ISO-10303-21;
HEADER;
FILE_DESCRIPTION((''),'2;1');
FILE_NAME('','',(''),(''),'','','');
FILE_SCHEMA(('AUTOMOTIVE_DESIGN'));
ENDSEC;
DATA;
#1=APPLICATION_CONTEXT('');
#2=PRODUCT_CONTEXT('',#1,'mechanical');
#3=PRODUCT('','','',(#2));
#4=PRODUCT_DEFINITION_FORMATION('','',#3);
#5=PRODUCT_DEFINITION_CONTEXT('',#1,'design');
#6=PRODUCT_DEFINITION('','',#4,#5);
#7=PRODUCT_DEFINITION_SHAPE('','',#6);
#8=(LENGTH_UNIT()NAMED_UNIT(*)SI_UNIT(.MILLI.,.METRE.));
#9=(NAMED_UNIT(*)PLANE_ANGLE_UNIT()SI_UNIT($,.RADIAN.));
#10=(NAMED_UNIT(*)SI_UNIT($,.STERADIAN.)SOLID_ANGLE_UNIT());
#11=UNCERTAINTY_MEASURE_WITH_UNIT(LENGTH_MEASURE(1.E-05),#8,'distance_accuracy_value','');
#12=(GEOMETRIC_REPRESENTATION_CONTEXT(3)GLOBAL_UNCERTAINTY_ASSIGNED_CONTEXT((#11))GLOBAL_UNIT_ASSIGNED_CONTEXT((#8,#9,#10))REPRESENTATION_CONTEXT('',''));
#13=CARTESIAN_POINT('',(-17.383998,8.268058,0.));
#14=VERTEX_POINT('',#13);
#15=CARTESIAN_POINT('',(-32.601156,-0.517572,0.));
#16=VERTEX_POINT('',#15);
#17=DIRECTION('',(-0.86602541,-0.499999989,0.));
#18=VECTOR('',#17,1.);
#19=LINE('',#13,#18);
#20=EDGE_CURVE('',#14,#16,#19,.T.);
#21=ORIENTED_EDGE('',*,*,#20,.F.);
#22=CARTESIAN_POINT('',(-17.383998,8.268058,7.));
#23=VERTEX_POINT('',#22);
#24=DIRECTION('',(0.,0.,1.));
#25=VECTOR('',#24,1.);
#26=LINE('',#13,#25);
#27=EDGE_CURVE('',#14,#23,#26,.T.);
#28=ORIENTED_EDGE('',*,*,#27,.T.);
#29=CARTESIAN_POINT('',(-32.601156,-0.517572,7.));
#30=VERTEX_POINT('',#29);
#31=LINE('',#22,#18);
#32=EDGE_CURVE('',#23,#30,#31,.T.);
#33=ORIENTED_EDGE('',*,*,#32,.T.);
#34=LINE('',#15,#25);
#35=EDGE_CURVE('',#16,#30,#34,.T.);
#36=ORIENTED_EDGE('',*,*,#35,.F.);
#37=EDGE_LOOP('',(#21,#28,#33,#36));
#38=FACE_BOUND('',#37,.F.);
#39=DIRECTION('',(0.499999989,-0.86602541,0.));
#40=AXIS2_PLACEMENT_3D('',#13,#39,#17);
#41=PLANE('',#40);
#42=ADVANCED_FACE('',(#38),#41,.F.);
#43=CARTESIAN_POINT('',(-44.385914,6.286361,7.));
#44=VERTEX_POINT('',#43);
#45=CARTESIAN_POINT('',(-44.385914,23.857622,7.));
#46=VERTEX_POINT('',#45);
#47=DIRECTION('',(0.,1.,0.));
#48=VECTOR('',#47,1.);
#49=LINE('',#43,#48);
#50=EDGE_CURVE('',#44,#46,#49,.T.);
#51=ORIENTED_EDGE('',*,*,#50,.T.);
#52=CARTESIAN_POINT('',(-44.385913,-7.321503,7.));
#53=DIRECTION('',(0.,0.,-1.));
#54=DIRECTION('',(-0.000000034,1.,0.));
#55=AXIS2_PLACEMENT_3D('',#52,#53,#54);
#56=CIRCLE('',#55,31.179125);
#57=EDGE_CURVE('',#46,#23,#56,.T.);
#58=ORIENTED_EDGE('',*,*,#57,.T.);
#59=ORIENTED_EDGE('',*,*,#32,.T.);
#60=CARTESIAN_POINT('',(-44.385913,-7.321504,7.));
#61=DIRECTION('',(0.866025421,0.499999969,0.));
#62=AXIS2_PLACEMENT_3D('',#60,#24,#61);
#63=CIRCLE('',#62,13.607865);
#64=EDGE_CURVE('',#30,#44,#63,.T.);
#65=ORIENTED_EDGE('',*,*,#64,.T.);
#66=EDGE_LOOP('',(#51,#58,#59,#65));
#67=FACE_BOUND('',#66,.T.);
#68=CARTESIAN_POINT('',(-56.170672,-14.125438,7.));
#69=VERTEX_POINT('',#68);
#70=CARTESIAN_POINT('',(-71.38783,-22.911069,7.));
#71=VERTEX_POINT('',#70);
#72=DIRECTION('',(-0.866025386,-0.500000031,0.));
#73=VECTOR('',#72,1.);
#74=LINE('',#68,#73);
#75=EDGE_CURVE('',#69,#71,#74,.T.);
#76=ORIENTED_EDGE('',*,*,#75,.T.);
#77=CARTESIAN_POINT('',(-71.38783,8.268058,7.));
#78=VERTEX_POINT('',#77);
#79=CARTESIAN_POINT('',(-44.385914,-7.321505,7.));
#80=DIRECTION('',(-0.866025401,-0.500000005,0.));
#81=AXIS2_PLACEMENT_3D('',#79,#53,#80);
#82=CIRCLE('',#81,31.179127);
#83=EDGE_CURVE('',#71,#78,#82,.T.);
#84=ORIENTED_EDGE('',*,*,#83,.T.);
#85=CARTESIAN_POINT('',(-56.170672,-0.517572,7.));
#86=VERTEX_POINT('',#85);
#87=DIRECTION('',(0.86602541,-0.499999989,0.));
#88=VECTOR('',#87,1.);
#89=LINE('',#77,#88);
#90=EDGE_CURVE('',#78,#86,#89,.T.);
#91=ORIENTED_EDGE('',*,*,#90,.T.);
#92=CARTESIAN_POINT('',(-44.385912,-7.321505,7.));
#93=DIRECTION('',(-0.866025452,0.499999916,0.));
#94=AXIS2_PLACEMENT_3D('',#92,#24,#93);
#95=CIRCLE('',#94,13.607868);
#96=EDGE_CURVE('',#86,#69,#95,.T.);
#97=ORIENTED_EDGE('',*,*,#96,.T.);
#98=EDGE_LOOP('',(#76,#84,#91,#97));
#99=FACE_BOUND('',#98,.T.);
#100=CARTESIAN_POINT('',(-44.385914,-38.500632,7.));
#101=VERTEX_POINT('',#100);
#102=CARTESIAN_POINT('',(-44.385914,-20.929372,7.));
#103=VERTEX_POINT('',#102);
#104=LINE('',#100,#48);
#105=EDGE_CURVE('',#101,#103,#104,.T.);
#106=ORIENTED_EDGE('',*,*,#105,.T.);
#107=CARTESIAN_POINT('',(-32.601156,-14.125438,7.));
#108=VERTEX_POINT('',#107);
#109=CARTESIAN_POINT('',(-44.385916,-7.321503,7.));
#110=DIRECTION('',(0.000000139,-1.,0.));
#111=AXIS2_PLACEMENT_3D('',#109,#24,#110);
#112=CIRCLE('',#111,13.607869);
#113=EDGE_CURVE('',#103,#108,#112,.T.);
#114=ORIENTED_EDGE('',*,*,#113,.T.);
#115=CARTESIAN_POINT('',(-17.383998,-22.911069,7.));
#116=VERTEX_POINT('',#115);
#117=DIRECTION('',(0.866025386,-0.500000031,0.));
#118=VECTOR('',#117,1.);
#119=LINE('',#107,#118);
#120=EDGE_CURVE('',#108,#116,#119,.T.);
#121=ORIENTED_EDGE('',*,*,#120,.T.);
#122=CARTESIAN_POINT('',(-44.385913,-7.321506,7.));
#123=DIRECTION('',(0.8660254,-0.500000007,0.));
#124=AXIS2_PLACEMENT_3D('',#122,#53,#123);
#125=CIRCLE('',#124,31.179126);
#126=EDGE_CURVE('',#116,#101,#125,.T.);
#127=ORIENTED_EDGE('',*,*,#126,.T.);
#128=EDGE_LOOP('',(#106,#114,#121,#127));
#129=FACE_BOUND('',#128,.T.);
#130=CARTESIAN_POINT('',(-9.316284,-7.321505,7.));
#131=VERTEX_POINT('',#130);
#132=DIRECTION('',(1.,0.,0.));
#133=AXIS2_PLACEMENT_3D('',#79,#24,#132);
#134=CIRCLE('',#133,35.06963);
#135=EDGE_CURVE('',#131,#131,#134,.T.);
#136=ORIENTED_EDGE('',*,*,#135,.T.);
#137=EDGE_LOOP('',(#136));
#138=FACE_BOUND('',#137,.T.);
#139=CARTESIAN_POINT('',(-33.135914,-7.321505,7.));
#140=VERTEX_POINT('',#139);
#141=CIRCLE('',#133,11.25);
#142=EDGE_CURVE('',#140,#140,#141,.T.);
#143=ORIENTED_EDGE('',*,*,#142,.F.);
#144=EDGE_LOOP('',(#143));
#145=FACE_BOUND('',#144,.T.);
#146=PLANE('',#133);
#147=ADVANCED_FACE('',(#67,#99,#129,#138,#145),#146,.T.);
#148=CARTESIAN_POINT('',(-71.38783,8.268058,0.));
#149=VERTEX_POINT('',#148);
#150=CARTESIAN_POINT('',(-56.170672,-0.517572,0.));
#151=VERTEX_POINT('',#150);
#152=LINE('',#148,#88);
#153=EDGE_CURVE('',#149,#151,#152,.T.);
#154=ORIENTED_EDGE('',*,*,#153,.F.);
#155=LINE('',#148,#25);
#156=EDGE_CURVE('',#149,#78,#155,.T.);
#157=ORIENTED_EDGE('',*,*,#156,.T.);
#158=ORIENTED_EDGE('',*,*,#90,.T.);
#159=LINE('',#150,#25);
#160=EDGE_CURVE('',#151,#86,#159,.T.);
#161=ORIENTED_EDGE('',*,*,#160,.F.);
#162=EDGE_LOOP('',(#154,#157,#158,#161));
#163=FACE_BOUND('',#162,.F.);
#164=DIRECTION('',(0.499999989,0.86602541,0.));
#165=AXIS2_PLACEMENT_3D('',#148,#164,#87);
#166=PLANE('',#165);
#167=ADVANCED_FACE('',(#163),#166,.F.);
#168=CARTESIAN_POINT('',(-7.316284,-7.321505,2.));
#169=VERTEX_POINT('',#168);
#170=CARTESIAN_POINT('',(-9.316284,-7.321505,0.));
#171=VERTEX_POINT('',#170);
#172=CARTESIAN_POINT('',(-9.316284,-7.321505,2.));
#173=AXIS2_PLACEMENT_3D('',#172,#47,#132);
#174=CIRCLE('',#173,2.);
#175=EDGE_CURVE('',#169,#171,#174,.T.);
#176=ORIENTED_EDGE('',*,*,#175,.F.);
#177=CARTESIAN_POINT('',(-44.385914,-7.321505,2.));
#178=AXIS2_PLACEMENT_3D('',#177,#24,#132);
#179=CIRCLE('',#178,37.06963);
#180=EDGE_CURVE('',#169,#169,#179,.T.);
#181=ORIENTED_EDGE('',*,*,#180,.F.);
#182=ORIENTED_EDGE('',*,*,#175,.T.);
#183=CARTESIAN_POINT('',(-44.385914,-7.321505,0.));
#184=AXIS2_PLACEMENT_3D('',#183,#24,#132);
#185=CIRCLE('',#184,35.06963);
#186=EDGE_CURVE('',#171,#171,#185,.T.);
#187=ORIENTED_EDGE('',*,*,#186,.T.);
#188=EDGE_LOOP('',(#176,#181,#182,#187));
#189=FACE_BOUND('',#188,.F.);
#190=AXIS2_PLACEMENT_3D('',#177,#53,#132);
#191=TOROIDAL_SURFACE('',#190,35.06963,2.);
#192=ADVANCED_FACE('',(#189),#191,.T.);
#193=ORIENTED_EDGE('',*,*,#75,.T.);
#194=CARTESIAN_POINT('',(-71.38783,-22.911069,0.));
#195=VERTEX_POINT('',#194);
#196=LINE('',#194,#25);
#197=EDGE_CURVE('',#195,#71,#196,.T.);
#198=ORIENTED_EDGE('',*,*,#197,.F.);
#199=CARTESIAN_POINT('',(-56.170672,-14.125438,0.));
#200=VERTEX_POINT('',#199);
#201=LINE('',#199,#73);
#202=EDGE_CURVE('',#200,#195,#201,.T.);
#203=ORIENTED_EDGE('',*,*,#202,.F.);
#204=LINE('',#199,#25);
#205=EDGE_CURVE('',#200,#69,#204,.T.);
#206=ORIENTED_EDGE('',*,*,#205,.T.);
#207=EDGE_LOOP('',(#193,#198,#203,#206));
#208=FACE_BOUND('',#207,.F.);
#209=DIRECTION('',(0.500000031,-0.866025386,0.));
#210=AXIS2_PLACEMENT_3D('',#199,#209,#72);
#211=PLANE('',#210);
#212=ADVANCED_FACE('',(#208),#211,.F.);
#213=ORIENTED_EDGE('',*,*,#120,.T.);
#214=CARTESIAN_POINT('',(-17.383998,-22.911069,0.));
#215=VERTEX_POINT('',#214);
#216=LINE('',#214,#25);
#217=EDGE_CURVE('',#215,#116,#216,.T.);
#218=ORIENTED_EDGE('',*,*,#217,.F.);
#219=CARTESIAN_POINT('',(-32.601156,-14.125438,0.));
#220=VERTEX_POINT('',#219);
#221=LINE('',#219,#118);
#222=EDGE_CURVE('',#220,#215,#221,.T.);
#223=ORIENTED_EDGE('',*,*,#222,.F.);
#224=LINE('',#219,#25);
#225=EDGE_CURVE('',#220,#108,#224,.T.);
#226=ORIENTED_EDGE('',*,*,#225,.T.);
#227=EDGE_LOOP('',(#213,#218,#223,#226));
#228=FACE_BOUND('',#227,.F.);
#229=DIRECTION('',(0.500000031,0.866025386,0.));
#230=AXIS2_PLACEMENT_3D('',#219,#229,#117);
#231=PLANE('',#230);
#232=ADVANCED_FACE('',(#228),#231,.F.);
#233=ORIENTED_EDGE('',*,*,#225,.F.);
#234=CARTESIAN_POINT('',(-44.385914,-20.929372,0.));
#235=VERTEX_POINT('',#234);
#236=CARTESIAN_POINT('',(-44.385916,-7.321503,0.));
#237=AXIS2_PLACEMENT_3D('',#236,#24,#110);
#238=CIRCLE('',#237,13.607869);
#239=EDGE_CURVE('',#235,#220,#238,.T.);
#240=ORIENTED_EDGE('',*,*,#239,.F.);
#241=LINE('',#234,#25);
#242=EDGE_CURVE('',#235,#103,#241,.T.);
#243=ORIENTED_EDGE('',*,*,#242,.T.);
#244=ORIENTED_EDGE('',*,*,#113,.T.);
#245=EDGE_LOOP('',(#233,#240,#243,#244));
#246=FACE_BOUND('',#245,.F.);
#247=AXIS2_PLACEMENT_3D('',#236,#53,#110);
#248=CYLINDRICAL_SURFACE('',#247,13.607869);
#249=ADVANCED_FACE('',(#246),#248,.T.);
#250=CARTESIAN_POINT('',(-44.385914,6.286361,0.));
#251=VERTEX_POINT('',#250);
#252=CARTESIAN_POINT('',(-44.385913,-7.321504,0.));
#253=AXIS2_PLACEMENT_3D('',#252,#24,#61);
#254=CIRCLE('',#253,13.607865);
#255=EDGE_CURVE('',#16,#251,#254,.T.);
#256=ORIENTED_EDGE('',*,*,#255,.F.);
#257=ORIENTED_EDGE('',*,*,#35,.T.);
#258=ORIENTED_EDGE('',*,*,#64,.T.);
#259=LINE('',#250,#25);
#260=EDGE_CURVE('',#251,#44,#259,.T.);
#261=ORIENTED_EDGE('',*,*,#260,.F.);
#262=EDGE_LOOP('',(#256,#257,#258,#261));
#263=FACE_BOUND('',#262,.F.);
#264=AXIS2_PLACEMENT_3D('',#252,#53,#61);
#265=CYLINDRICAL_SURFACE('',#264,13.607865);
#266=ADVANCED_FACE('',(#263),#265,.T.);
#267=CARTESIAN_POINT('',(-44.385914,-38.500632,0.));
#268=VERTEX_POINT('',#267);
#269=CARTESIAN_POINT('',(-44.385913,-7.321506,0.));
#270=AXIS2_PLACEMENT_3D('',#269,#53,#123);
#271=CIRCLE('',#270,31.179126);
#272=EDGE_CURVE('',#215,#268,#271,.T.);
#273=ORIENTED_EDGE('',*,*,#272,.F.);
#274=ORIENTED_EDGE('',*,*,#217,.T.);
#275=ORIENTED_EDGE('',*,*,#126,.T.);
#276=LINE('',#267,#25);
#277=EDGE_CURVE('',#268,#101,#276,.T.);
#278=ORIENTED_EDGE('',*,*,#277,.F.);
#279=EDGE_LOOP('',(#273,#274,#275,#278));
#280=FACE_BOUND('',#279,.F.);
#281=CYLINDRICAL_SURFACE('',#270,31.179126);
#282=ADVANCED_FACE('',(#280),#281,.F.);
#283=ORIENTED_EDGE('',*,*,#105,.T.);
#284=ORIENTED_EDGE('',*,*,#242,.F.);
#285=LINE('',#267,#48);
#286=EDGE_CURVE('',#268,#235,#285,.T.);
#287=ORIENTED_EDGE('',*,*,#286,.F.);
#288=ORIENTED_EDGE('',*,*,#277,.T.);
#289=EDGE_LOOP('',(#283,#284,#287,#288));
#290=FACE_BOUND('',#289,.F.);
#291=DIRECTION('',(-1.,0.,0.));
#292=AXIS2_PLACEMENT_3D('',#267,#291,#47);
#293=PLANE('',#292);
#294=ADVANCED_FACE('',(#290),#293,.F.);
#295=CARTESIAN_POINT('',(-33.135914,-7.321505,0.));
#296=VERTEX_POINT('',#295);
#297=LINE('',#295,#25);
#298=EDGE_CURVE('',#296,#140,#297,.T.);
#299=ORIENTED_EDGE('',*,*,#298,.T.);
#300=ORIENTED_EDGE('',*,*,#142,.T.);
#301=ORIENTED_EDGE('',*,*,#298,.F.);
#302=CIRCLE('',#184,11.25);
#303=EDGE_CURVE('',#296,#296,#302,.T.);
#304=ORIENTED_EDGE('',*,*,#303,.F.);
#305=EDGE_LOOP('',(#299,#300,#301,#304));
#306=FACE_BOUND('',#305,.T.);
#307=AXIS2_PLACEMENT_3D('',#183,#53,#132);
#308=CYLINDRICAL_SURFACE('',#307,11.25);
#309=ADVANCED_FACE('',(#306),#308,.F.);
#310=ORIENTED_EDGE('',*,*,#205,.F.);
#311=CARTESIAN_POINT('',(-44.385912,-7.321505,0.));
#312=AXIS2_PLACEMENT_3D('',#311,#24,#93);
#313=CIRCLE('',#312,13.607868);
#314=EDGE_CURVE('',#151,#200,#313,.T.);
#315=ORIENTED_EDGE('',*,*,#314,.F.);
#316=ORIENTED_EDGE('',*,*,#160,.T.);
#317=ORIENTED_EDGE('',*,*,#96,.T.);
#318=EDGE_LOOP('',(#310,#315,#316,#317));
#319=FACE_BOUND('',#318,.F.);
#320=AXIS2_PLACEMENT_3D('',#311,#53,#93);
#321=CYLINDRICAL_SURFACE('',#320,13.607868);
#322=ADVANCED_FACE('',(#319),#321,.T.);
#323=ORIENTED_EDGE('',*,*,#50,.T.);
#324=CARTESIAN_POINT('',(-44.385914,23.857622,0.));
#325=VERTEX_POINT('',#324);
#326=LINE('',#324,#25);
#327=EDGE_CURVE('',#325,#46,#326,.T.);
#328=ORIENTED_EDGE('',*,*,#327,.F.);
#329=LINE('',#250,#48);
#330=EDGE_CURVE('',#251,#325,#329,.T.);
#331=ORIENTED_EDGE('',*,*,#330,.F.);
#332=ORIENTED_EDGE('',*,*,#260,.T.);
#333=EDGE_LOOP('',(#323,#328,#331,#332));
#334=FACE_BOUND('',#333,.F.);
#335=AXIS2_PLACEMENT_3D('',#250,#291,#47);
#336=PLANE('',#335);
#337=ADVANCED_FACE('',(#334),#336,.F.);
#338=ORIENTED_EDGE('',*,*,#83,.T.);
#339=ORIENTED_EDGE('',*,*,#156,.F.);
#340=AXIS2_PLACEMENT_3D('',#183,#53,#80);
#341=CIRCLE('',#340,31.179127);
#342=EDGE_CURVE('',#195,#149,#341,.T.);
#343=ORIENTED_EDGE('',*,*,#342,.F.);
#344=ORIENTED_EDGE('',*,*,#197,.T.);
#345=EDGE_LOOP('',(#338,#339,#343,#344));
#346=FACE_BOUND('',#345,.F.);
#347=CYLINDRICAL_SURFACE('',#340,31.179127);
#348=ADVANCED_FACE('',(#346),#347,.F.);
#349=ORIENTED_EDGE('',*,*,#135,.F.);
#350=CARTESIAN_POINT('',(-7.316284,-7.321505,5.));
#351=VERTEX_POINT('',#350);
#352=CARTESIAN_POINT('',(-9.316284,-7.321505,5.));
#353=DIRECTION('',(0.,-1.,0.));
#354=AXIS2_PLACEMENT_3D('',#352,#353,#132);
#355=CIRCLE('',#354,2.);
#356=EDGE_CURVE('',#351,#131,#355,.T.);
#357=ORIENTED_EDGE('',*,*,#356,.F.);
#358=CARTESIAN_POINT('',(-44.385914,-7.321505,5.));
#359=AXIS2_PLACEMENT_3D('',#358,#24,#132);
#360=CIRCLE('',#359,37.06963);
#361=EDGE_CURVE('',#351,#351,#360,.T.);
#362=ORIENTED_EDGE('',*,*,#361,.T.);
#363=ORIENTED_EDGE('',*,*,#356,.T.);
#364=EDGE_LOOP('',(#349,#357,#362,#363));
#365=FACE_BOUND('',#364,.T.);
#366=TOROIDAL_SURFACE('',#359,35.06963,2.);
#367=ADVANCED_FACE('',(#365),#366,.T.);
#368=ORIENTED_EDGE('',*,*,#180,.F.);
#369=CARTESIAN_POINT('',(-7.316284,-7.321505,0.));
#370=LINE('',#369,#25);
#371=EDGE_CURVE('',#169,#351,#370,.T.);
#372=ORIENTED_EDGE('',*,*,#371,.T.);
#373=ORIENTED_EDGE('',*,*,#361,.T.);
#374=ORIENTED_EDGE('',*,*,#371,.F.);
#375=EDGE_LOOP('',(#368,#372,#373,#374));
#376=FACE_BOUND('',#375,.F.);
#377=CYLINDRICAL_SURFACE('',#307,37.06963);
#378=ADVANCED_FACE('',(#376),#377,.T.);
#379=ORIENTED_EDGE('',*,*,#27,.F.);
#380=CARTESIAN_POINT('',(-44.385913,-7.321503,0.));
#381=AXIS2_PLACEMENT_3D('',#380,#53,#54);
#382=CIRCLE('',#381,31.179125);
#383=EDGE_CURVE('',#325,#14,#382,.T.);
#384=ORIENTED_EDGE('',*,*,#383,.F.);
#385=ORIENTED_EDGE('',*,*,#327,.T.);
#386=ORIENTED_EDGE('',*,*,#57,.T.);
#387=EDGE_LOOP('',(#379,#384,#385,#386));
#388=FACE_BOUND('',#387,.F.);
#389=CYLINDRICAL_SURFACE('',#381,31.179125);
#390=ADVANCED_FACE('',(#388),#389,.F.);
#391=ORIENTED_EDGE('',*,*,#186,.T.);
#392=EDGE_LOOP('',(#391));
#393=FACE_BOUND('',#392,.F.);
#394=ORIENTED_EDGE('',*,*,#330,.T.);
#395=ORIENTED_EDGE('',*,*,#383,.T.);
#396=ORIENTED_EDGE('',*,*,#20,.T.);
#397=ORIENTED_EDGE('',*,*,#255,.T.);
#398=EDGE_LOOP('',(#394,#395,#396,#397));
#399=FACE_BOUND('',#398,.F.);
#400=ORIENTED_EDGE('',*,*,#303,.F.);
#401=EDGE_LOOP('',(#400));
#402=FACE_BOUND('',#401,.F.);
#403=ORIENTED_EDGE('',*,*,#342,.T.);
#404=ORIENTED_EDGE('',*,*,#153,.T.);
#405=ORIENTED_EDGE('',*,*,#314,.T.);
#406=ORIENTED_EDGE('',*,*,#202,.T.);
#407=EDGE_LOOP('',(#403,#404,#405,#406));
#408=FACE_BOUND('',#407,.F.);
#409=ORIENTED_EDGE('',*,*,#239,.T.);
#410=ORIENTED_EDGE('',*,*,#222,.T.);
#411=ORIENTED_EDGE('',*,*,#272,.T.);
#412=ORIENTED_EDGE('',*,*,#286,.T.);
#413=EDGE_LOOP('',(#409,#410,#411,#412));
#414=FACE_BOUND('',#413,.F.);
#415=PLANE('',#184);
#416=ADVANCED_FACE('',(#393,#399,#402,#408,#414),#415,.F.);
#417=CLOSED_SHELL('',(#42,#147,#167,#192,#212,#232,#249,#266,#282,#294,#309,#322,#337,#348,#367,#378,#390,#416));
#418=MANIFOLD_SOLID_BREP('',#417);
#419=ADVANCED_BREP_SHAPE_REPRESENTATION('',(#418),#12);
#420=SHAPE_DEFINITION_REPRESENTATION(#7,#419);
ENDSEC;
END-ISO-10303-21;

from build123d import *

# Parameters (mm, degrees)
F0_R     = 37.06963
F0_R_2   = 11.25
F1_DEPTH = 7
F2_R     = 2


with BuildPart() as f1:
    # F0 (on Top) → F1 (new body)
    with BuildSketch(Plane.XY):
        with Locations((-44.385914, -7.321505)):
            Circle(F0_R)
        with BuildLine():
            ThreePointArc((-17.383998, 8.268058), (-14.26919, 0.748247), (-13.206787, -7.321505))
            ThreePointArc((-13.206787, -7.321505), (-14.26919, -15.391257), (-17.383998, -22.911069))
            ThreePointArc((-17.383998, -22.911069), (-28.79635, -34.323421), (-44.385914, -38.500632))
            ThreePointArc((-44.385914, -38.500632), (-59.975477, -34.323421), (-71.38783, -22.911069))
            ThreePointArc((-71.38783, -22.911069), (-75.565041, -7.321505), (-71.38783, 8.268058))
            ThreePointArc((-71.38783, 8.268058), (-59.975477, 19.680411), (-44.385914, 23.857622))
            ThreePointArc((-44.385914, 23.857622), (-28.79635, 19.680411), (-17.383998, 8.268058))
        make_face(mode=Mode.SUBTRACT)
        with BuildLine():
            ThreePointArc((-30.778047, -7.321505), (-31.241724, -3.79953), (-32.601156, -0.517572))
            ThreePointArc((-32.601156, -0.517572), (-37.581981, 4.463253), (-44.385914, 6.286361))
            ThreePointArc((-44.385914, 6.286361), (-51.189847, 4.463253), (-56.170672, -0.517572))
            ThreePointArc((-56.170672, -0.517572), (-57.99378, -7.321505), (-56.170672, -14.125438))
            ThreePointArc((-56.170672, -14.125438), (-51.189847, -19.106263), (-44.385914, -20.929372))
            ThreePointArc((-44.385914, -20.929372), (-37.581981, -19.106263), (-32.601156, -14.125438))
            ThreePointArc((-32.601156, -14.125438), (-31.241724, -10.84348), (-30.778047, -7.321505))
        make_face()
        with Locations((-44.385914, -7.321505)):
            Circle(F0_R_2, mode=Mode.SUBTRACT)
        with BuildLine():
            ThreePointArc((-71.38783, -22.911069), (-59.975477, -34.323421), (-44.385914, -38.500632))
            Line((-44.385914, -38.500632), (-44.385914, -20.929372))
            ThreePointArc((-44.385914, -20.929372), (-51.189847, -19.106263), (-56.170672, -14.125438))
            Line((-56.170672, -14.125438), (-71.38783, -22.911069))
        make_face()
        with BuildLine():
            Line((-44.385914, 6.286361), (-44.385914, 23.857622))
            ThreePointArc((-44.385914, 23.857622), (-59.975477, 19.680411), (-71.38783, 8.268058))
            Line((-71.38783, 8.268058), (-56.170672, -0.517572))
            ThreePointArc((-56.170672, -0.517572), (-51.189847, 4.463253), (-44.385914, 6.286361))
        make_face()
        with BuildLine():
            ThreePointArc((-17.383998, -22.911069), (-14.26919, -15.391257), (-13.206787, -7.321505))
            ThreePointArc((-13.206787, -7.321505), (-14.26919, 0.748247), (-17.383998, 8.268058))
            Line((-17.383998, 8.268058), (-32.601156, -0.517572))
            ThreePointArc((-32.601156, -0.517572), (-31.241724, -3.79953), (-30.778047, -7.321505))
            ThreePointArc((-30.778047, -7.321505), (-31.241724, -10.84348), (-32.601156, -14.125438))
            Line((-32.601156, -14.125438), (-17.383998, -22.911069))
        make_face()
    extrude(amount=F1_DEPTH)

    # F2
    f2_edges = [f1.edges().sort_by_distance(p)[0] for p in [
        (-81.455544, -7.321505, 0),
        (-81.455544, -7.321505, 7),
    ]]
    fillet(f2_edges, radius=F2_R)


solid = f1.part
